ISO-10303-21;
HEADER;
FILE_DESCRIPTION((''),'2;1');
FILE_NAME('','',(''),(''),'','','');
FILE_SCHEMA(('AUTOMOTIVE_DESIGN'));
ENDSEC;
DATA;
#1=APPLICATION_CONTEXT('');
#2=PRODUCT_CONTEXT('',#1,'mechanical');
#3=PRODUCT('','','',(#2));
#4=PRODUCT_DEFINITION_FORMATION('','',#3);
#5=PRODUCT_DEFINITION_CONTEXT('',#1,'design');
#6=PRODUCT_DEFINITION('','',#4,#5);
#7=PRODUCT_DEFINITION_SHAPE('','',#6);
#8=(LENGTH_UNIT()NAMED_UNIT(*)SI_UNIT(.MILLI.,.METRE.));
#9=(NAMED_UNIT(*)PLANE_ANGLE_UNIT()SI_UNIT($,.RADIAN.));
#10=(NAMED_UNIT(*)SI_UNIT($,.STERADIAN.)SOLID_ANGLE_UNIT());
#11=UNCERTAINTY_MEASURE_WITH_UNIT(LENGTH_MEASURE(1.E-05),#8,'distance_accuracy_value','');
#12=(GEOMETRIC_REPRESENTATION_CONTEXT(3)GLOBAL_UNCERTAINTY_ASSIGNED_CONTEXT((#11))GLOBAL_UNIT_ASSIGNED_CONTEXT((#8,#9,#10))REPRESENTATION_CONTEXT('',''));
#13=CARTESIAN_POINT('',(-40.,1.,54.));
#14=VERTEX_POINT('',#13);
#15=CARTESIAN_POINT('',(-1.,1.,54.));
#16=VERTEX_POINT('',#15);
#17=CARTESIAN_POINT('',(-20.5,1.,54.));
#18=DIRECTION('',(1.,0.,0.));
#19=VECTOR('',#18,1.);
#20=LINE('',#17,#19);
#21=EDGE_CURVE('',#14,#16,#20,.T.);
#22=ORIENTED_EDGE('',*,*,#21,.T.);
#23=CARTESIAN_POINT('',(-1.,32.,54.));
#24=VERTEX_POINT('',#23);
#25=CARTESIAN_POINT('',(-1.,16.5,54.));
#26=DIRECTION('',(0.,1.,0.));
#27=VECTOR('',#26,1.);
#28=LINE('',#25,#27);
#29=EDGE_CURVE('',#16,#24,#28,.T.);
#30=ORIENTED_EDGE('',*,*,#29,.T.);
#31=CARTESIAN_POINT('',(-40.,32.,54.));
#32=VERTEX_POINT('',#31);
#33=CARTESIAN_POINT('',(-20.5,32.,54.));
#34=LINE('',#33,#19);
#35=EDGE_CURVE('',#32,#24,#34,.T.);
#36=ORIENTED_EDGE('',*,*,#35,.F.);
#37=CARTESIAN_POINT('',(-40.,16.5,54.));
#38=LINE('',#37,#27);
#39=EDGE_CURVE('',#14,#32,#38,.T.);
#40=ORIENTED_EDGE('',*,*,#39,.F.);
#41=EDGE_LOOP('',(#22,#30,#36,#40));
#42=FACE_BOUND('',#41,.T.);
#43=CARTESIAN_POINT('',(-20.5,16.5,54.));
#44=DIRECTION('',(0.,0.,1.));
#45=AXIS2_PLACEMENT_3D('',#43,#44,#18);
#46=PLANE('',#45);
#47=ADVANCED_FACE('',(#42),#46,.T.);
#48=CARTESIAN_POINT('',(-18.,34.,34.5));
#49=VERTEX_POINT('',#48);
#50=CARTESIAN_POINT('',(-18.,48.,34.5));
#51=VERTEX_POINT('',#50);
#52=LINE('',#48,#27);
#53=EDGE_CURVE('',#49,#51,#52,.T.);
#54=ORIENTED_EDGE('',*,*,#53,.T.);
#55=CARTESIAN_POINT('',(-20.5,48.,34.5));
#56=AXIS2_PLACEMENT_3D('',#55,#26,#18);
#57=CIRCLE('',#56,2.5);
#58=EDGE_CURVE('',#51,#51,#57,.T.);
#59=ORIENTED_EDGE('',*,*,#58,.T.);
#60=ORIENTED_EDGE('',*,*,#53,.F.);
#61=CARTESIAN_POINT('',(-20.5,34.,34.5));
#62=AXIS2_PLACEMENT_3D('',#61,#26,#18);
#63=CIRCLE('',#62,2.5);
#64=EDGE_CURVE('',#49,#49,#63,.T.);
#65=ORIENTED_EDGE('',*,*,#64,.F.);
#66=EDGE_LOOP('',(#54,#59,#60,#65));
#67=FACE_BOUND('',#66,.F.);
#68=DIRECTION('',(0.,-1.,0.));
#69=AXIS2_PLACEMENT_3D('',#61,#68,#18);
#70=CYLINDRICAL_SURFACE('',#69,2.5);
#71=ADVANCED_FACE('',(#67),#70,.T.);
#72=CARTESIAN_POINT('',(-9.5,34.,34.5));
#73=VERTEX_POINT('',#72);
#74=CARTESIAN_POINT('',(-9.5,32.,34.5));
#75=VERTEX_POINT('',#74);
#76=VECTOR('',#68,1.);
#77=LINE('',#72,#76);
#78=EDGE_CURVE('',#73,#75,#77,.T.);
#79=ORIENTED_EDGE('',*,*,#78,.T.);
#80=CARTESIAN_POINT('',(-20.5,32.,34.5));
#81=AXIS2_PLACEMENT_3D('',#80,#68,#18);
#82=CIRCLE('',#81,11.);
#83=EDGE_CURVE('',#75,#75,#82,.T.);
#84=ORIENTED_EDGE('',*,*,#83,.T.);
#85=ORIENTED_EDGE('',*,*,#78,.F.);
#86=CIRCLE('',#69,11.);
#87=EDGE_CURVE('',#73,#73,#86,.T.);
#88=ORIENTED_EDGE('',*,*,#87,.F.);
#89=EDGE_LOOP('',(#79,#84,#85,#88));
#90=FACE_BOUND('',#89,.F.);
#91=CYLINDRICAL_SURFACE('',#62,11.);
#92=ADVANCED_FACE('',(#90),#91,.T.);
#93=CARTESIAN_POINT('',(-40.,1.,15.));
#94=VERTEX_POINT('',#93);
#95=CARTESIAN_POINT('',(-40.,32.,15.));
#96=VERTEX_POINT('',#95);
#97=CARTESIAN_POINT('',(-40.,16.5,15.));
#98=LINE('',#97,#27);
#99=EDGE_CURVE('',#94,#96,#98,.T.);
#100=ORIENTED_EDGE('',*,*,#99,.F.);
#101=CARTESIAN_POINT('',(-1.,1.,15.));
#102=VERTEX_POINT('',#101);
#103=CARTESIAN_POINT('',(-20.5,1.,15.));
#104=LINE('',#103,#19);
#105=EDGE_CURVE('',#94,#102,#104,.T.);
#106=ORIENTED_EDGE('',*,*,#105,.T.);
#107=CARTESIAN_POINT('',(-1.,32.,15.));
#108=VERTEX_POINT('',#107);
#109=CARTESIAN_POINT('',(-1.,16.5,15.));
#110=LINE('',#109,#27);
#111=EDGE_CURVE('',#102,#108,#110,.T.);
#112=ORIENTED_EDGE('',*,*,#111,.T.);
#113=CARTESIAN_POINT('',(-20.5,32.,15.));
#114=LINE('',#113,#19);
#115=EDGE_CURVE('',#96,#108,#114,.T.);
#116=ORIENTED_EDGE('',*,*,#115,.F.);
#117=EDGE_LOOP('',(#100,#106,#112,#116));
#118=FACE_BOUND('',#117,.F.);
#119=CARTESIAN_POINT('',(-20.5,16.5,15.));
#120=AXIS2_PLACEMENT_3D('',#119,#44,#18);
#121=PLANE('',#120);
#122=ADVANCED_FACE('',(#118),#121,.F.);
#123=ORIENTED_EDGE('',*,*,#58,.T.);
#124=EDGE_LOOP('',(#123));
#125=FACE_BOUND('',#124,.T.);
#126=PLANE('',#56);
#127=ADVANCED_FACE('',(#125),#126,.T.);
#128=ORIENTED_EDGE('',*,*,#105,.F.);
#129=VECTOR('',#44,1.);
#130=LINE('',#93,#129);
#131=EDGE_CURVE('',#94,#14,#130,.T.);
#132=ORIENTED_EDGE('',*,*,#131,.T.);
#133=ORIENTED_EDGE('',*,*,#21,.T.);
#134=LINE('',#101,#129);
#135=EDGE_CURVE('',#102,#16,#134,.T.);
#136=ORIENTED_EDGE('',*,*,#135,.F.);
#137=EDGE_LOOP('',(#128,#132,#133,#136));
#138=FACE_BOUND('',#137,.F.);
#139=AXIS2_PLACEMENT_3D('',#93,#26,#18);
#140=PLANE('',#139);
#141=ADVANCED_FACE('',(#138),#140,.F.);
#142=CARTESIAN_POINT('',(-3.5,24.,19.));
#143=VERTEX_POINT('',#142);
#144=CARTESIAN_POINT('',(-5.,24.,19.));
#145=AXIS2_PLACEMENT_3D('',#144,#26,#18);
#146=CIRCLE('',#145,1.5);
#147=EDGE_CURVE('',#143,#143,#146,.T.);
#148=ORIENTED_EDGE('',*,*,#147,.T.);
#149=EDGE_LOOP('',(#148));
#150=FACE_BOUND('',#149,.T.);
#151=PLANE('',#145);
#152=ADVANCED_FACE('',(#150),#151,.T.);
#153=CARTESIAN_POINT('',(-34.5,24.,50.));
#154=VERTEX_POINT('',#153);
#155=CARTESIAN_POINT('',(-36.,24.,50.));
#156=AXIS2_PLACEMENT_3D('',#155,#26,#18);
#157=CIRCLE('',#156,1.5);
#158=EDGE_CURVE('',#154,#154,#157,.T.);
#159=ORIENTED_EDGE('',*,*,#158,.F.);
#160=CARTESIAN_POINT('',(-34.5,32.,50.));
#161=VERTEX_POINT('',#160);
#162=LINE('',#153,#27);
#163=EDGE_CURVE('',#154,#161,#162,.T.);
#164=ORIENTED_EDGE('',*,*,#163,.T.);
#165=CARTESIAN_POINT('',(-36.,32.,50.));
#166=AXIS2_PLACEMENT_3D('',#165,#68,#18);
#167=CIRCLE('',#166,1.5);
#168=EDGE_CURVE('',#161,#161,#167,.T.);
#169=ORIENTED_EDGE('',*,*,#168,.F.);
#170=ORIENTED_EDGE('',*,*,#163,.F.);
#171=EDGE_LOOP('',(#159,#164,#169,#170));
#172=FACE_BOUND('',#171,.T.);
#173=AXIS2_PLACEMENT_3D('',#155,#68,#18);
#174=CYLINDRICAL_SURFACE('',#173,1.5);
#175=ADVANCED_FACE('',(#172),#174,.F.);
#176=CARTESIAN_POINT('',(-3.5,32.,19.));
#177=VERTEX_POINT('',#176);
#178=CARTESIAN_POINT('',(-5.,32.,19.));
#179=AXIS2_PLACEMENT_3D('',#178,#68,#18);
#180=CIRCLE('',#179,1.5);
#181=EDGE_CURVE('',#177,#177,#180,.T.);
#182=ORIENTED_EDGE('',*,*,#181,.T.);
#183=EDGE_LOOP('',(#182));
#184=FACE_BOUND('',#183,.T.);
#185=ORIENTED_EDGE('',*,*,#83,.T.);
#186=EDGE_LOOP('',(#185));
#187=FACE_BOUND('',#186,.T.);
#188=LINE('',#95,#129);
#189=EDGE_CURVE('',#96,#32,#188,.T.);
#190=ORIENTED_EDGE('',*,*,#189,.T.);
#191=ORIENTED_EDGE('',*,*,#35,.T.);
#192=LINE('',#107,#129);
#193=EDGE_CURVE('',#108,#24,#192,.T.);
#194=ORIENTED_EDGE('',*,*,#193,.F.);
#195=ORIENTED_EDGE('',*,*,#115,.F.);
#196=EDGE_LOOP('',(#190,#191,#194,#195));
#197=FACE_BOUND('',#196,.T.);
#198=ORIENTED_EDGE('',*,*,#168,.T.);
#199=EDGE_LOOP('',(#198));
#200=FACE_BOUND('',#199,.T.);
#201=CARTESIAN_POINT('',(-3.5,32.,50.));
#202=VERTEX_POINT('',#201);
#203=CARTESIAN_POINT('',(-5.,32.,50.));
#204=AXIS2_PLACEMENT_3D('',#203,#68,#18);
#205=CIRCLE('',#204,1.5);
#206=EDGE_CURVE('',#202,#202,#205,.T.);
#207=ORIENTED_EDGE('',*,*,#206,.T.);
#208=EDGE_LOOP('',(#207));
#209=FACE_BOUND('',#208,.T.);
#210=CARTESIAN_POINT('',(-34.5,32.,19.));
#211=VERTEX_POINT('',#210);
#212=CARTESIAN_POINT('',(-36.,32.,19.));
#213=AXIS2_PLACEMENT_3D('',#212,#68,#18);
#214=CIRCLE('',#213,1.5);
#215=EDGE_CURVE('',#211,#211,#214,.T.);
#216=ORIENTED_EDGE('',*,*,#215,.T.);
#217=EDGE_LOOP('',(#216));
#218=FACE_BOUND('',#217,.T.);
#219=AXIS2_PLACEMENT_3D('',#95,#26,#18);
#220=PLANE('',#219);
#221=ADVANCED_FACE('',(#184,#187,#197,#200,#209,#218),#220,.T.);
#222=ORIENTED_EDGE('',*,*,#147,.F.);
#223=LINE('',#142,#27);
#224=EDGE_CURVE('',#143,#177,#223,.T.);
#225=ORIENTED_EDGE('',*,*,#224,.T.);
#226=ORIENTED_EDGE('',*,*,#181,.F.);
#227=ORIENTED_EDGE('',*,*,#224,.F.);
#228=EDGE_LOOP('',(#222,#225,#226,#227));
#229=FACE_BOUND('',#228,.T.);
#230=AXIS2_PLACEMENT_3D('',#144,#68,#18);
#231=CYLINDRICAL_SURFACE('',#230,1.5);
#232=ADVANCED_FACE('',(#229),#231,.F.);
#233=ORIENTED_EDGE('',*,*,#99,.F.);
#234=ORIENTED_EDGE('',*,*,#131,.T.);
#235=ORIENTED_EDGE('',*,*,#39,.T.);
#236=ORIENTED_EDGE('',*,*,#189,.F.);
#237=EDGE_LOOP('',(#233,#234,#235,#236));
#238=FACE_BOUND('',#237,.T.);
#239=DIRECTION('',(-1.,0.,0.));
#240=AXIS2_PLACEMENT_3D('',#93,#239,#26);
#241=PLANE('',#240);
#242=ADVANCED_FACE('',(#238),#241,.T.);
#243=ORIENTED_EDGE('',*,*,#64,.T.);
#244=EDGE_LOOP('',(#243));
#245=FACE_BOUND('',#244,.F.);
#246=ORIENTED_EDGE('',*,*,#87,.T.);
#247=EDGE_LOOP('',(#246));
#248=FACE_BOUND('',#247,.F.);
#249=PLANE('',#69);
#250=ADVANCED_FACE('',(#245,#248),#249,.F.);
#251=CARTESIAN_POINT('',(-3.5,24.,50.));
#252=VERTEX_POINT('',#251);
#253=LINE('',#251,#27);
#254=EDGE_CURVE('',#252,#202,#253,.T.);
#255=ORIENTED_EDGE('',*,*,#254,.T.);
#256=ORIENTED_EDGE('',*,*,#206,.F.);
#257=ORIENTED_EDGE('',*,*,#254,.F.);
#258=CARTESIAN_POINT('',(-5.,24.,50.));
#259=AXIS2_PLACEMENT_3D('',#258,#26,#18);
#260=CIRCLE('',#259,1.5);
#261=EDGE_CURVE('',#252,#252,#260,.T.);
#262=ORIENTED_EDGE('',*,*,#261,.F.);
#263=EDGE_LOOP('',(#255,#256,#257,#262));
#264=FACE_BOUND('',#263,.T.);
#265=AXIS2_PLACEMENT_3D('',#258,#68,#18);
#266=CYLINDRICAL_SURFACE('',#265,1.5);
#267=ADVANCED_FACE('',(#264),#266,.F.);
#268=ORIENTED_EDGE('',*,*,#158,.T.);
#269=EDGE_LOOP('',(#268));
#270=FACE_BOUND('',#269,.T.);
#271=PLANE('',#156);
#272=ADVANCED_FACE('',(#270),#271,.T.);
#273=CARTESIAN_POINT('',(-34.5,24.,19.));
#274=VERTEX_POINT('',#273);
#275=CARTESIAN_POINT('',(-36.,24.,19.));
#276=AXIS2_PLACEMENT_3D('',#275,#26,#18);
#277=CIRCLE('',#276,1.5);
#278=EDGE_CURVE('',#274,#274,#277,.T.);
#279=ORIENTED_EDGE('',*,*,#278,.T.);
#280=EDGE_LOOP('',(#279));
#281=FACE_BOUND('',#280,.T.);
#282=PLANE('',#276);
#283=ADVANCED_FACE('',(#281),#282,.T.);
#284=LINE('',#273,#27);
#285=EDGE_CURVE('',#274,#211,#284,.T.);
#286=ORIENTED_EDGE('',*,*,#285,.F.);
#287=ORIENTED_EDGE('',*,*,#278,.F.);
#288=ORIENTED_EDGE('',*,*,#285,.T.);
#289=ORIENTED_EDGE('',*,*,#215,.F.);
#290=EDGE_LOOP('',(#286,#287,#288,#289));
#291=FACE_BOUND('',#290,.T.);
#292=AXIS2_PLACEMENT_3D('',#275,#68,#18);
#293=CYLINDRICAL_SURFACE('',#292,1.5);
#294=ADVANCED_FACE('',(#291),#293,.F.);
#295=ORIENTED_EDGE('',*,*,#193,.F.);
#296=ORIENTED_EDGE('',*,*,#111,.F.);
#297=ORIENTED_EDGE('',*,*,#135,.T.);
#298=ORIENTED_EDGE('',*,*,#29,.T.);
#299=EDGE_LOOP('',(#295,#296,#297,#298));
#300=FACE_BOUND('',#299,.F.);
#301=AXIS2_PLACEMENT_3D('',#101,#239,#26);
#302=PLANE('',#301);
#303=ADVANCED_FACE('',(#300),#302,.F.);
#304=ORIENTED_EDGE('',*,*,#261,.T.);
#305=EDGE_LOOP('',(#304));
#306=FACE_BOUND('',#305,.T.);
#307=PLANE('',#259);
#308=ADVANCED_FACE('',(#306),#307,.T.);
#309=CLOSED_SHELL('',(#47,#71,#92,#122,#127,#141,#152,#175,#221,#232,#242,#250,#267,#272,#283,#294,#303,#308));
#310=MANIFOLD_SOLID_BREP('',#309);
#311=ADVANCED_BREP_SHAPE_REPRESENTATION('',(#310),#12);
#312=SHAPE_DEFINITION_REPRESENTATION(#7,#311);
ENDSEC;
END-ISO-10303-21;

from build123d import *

# Parameters (mm, degrees)
CYLINDER013_R     = 11
CYLINDER013_DEPTH = 2
CYLINDER014_R     = 2.5
CYLINDER014_DEPTH = 14
CYLINDER015_R     = 1.5
CYLINDER015_DEPTH = 10
CYLINDER011_R     = 1.5
CYLINDER011_DEPTH = 10
CYLINDER012_R     = 1.5
CYLINDER012_DEPTH = 10
CYLINDER016_R     = 1.5
CYLINDER016_DEPTH = 10
BOX002_W          = 39
BOX002_H          = 31
BOX002_DEPTH      = 39


with BuildPart() as cylinder013:
    # Cylinder013 → Cylinder013 (new body)
    with BuildSketch(Plane(origin=(19.5, 33, 19.5), x_dir=(1, 0, 0), z_dir=(0, -1, 0))):
        Circle(CYLINDER013_R)
    extrude(amount=CYLINDER013_DEPTH)


with BuildPart() as cylinder014:
    # Cylinder014 → Cylinder014 (new body)
    with BuildSketch(Plane(origin=(19.5, 33, 19.5), x_dir=(1, 0, 0), z_dir=(0, 1, 0))):
        Circle(CYLINDER014_R)
    extrude(amount=CYLINDER014_DEPTH)


with BuildPart() as cylinder015:
    # Cylinder015 → Cylinder015 (new body)
    with BuildSketch(Plane(origin=(35, 23, 35), x_dir=(1, 0, 0), z_dir=(0, 1, 0))):
        Circle(CYLINDER015_R)
    extrude(amount=CYLINDER015_DEPTH)


with BuildPart() as cylinder011:
    # Cylinder011 → Cylinder011 (new body)
    with BuildSketch(Plane(origin=(35, 23, 4), x_dir=(1, 0, 0), z_dir=(0, 1, 0))):
        Circle(CYLINDER011_R)
    extrude(amount=CYLINDER011_DEPTH)


with BuildPart() as cylinder012:
    # Cylinder012 → Cylinder012 (new body)
    with BuildSketch(Plane(origin=(4, 23, 4), x_dir=(1, 0, 0), z_dir=(0, 1, 0))):
        Circle(CYLINDER012_R)
    extrude(amount=CYLINDER012_DEPTH)


with BuildPart() as cylinder016:
    # Cylinder016 → Cylinder016 (new body)
    with BuildSketch(Plane(origin=(4, 23, 35), x_dir=(1, 0, 0), z_dir=(0, 1, 0))):
        Circle(CYLINDER016_R)
    extrude(amount=CYLINDER016_DEPTH)


with BuildPart() as fusion001:
    # Box002 → Box002 (new body)
    with BuildSketch(Plane.XY):
        with Locations((19.5, 15.5)):
            Rectangle(BOX002_W, BOX002_H)
    extrude(amount=BOX002_DEPTH)

    # Cut005: cut Cylinder016
    add(cylinder016.part, mode=Mode.SUBTRACT)

    # Cut006: cut Cylinder012
    add(cylinder012.part, mode=Mode.SUBTRACT)

    # Cut007: cut Cylinder011
    add(cylinder011.part, mode=Mode.SUBTRACT)

    # Cut008: cut Cylinder015
    add(cylinder015.part, mode=Mode.SUBTRACT)

    # Fusion001: union Cylinder013, Cylinder014
    add(cylinder013.part)
    add(cylinder014.part)


with BuildPart() as fusion001_1:
    # Fusion001 placement: moved
    add(fusion001.part.moved(Location((-40, 1, 15))))


solid = fusion001_1.part
